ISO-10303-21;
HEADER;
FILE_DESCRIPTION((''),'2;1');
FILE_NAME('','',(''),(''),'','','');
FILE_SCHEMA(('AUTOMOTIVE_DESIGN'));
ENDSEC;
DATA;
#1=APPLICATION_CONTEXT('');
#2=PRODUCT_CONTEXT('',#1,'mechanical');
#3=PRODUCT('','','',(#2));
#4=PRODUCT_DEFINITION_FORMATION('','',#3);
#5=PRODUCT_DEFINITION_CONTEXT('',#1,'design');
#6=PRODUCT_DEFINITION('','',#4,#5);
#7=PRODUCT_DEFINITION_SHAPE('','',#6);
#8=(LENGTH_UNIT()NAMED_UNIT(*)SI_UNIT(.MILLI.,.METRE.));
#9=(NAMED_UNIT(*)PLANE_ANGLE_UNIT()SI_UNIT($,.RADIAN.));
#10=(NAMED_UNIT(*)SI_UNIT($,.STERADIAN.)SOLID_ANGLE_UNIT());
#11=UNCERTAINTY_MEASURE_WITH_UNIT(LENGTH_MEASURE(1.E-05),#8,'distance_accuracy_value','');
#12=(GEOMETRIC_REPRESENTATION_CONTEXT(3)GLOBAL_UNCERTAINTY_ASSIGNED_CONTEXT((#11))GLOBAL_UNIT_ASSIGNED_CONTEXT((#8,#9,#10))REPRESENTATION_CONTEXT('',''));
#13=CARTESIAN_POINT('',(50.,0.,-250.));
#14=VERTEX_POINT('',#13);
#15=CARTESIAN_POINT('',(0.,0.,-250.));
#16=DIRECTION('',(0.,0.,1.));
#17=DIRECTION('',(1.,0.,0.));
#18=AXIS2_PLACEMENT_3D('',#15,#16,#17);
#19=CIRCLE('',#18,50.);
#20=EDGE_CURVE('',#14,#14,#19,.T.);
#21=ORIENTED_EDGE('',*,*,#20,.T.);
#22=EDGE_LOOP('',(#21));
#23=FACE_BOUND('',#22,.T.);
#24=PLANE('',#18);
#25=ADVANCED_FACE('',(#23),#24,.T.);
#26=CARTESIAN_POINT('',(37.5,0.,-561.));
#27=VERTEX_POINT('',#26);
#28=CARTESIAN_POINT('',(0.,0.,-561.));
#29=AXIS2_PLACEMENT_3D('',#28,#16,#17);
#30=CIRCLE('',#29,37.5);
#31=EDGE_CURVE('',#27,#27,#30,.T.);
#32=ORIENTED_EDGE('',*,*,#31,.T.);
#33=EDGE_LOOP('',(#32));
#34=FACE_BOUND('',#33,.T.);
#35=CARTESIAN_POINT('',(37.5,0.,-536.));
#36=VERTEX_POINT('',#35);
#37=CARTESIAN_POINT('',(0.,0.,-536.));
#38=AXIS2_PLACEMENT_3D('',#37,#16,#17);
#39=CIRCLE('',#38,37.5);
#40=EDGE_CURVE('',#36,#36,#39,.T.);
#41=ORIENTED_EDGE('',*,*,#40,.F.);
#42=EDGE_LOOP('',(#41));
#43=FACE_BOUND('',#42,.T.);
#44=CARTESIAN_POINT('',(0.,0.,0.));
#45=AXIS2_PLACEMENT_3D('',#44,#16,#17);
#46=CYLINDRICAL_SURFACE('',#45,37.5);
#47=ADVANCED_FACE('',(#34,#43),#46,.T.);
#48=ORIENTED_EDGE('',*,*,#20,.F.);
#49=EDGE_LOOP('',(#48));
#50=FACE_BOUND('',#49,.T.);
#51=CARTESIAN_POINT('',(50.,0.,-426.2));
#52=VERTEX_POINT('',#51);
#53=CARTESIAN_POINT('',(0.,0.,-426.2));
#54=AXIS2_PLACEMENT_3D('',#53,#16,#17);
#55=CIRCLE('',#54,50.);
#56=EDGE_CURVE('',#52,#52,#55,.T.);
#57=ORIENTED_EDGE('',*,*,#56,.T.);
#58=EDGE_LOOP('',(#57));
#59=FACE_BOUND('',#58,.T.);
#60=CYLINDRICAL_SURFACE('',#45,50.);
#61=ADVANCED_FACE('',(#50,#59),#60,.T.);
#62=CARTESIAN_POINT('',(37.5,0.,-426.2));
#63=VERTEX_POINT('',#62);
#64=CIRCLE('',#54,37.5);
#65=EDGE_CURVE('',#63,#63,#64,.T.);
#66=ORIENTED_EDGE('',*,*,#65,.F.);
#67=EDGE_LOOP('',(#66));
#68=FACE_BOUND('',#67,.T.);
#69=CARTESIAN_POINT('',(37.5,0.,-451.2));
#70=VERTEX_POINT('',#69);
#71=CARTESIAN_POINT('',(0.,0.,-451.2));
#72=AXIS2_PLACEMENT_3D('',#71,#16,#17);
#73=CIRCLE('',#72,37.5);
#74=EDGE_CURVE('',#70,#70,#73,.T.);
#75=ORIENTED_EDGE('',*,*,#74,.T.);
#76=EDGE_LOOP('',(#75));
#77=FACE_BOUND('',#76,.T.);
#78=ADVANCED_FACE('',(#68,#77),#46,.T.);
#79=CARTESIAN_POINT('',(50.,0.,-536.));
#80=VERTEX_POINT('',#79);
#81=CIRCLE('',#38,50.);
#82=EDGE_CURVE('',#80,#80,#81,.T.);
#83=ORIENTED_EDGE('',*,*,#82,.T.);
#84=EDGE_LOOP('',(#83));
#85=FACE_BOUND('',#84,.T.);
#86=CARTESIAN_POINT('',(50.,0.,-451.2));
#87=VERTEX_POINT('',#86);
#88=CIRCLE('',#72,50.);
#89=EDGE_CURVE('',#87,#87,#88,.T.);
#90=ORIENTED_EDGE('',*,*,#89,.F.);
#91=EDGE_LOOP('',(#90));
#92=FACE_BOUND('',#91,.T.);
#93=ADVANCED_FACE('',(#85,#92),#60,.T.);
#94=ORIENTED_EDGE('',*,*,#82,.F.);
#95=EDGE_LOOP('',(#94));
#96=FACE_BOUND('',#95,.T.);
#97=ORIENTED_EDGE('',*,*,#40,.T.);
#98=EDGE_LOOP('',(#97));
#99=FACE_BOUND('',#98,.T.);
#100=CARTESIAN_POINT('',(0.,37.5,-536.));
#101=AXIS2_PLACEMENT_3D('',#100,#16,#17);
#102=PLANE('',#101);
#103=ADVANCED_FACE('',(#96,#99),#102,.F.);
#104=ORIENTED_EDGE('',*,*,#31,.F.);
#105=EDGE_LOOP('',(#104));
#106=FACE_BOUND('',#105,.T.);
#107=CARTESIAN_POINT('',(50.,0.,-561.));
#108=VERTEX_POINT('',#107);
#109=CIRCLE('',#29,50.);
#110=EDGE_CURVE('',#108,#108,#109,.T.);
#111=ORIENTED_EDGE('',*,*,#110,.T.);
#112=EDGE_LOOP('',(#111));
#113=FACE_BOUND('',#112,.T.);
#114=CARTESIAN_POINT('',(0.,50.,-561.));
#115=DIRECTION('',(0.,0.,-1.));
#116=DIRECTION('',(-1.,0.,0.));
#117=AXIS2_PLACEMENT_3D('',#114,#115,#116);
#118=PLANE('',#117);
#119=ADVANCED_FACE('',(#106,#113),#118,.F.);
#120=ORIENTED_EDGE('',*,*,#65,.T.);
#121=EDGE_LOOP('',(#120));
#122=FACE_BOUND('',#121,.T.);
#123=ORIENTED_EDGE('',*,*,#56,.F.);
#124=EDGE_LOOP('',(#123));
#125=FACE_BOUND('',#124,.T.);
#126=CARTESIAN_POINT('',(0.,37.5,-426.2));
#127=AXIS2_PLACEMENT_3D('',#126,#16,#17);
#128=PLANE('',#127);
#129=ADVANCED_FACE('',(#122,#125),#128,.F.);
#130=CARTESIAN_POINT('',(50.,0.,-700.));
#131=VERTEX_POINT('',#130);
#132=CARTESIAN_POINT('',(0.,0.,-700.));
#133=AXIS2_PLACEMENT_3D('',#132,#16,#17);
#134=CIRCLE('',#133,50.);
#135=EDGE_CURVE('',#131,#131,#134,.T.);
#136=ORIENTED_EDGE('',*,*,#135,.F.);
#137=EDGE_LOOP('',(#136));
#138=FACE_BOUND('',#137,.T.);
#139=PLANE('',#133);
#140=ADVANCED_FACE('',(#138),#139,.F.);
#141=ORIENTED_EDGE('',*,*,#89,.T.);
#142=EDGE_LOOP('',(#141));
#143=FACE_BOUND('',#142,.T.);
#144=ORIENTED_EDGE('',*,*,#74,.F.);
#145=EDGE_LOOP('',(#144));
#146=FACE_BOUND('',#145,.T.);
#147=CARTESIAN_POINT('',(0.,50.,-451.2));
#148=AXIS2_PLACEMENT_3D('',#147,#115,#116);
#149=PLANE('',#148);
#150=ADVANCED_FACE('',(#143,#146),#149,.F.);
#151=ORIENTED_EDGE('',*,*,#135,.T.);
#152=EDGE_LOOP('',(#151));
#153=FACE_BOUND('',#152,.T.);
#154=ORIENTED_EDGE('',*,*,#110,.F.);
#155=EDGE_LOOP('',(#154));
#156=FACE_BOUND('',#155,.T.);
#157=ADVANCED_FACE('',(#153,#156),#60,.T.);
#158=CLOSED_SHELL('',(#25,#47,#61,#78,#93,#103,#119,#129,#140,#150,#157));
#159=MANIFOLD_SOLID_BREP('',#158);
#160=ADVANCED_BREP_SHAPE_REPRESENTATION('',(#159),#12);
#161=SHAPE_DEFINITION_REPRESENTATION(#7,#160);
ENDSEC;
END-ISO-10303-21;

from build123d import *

# Parameters (mm, degrees)
CUT_EXTRUDE1_START = -250
SKETCH3_R          = 50
CUT_EXTRUDE1_DEPTH = 250


with BuildPart() as part:
    # Sketch2 → Revolve1 (revolve)
    with BuildSketch(Plane(origin=(0, 0, 0), x_dir=(0, 0, -1), z_dir=(1, 0, 0)), mode=Mode.PRIVATE) as revolve1_sk:
        Polygon((0, 0), (0, 50), (426.2, 50), (426.2, 37.5), (451.2, 37.5), (451.2, 50), (536, 50), (536, 37.5), (561, 37.5), (561, 50), (700, 50), (700, 0), align=None)
    revolve(revolve1_sk.sketch.rotate(Axis((0, 0, 0), (0, 0, -1)), 90), axis=Axis((0, 0, 0), (0, 0, -1)))

    # Sketch3 → Cut-Extrude1 (cut)
    with BuildSketch(Plane.XY.offset(CUT_EXTRUDE1_START)):
        Circle(SKETCH3_R)
    extrude(amount=CUT_EXTRUDE1_DEPTH, mode=Mode.SUBTRACT)


solid = part.part
